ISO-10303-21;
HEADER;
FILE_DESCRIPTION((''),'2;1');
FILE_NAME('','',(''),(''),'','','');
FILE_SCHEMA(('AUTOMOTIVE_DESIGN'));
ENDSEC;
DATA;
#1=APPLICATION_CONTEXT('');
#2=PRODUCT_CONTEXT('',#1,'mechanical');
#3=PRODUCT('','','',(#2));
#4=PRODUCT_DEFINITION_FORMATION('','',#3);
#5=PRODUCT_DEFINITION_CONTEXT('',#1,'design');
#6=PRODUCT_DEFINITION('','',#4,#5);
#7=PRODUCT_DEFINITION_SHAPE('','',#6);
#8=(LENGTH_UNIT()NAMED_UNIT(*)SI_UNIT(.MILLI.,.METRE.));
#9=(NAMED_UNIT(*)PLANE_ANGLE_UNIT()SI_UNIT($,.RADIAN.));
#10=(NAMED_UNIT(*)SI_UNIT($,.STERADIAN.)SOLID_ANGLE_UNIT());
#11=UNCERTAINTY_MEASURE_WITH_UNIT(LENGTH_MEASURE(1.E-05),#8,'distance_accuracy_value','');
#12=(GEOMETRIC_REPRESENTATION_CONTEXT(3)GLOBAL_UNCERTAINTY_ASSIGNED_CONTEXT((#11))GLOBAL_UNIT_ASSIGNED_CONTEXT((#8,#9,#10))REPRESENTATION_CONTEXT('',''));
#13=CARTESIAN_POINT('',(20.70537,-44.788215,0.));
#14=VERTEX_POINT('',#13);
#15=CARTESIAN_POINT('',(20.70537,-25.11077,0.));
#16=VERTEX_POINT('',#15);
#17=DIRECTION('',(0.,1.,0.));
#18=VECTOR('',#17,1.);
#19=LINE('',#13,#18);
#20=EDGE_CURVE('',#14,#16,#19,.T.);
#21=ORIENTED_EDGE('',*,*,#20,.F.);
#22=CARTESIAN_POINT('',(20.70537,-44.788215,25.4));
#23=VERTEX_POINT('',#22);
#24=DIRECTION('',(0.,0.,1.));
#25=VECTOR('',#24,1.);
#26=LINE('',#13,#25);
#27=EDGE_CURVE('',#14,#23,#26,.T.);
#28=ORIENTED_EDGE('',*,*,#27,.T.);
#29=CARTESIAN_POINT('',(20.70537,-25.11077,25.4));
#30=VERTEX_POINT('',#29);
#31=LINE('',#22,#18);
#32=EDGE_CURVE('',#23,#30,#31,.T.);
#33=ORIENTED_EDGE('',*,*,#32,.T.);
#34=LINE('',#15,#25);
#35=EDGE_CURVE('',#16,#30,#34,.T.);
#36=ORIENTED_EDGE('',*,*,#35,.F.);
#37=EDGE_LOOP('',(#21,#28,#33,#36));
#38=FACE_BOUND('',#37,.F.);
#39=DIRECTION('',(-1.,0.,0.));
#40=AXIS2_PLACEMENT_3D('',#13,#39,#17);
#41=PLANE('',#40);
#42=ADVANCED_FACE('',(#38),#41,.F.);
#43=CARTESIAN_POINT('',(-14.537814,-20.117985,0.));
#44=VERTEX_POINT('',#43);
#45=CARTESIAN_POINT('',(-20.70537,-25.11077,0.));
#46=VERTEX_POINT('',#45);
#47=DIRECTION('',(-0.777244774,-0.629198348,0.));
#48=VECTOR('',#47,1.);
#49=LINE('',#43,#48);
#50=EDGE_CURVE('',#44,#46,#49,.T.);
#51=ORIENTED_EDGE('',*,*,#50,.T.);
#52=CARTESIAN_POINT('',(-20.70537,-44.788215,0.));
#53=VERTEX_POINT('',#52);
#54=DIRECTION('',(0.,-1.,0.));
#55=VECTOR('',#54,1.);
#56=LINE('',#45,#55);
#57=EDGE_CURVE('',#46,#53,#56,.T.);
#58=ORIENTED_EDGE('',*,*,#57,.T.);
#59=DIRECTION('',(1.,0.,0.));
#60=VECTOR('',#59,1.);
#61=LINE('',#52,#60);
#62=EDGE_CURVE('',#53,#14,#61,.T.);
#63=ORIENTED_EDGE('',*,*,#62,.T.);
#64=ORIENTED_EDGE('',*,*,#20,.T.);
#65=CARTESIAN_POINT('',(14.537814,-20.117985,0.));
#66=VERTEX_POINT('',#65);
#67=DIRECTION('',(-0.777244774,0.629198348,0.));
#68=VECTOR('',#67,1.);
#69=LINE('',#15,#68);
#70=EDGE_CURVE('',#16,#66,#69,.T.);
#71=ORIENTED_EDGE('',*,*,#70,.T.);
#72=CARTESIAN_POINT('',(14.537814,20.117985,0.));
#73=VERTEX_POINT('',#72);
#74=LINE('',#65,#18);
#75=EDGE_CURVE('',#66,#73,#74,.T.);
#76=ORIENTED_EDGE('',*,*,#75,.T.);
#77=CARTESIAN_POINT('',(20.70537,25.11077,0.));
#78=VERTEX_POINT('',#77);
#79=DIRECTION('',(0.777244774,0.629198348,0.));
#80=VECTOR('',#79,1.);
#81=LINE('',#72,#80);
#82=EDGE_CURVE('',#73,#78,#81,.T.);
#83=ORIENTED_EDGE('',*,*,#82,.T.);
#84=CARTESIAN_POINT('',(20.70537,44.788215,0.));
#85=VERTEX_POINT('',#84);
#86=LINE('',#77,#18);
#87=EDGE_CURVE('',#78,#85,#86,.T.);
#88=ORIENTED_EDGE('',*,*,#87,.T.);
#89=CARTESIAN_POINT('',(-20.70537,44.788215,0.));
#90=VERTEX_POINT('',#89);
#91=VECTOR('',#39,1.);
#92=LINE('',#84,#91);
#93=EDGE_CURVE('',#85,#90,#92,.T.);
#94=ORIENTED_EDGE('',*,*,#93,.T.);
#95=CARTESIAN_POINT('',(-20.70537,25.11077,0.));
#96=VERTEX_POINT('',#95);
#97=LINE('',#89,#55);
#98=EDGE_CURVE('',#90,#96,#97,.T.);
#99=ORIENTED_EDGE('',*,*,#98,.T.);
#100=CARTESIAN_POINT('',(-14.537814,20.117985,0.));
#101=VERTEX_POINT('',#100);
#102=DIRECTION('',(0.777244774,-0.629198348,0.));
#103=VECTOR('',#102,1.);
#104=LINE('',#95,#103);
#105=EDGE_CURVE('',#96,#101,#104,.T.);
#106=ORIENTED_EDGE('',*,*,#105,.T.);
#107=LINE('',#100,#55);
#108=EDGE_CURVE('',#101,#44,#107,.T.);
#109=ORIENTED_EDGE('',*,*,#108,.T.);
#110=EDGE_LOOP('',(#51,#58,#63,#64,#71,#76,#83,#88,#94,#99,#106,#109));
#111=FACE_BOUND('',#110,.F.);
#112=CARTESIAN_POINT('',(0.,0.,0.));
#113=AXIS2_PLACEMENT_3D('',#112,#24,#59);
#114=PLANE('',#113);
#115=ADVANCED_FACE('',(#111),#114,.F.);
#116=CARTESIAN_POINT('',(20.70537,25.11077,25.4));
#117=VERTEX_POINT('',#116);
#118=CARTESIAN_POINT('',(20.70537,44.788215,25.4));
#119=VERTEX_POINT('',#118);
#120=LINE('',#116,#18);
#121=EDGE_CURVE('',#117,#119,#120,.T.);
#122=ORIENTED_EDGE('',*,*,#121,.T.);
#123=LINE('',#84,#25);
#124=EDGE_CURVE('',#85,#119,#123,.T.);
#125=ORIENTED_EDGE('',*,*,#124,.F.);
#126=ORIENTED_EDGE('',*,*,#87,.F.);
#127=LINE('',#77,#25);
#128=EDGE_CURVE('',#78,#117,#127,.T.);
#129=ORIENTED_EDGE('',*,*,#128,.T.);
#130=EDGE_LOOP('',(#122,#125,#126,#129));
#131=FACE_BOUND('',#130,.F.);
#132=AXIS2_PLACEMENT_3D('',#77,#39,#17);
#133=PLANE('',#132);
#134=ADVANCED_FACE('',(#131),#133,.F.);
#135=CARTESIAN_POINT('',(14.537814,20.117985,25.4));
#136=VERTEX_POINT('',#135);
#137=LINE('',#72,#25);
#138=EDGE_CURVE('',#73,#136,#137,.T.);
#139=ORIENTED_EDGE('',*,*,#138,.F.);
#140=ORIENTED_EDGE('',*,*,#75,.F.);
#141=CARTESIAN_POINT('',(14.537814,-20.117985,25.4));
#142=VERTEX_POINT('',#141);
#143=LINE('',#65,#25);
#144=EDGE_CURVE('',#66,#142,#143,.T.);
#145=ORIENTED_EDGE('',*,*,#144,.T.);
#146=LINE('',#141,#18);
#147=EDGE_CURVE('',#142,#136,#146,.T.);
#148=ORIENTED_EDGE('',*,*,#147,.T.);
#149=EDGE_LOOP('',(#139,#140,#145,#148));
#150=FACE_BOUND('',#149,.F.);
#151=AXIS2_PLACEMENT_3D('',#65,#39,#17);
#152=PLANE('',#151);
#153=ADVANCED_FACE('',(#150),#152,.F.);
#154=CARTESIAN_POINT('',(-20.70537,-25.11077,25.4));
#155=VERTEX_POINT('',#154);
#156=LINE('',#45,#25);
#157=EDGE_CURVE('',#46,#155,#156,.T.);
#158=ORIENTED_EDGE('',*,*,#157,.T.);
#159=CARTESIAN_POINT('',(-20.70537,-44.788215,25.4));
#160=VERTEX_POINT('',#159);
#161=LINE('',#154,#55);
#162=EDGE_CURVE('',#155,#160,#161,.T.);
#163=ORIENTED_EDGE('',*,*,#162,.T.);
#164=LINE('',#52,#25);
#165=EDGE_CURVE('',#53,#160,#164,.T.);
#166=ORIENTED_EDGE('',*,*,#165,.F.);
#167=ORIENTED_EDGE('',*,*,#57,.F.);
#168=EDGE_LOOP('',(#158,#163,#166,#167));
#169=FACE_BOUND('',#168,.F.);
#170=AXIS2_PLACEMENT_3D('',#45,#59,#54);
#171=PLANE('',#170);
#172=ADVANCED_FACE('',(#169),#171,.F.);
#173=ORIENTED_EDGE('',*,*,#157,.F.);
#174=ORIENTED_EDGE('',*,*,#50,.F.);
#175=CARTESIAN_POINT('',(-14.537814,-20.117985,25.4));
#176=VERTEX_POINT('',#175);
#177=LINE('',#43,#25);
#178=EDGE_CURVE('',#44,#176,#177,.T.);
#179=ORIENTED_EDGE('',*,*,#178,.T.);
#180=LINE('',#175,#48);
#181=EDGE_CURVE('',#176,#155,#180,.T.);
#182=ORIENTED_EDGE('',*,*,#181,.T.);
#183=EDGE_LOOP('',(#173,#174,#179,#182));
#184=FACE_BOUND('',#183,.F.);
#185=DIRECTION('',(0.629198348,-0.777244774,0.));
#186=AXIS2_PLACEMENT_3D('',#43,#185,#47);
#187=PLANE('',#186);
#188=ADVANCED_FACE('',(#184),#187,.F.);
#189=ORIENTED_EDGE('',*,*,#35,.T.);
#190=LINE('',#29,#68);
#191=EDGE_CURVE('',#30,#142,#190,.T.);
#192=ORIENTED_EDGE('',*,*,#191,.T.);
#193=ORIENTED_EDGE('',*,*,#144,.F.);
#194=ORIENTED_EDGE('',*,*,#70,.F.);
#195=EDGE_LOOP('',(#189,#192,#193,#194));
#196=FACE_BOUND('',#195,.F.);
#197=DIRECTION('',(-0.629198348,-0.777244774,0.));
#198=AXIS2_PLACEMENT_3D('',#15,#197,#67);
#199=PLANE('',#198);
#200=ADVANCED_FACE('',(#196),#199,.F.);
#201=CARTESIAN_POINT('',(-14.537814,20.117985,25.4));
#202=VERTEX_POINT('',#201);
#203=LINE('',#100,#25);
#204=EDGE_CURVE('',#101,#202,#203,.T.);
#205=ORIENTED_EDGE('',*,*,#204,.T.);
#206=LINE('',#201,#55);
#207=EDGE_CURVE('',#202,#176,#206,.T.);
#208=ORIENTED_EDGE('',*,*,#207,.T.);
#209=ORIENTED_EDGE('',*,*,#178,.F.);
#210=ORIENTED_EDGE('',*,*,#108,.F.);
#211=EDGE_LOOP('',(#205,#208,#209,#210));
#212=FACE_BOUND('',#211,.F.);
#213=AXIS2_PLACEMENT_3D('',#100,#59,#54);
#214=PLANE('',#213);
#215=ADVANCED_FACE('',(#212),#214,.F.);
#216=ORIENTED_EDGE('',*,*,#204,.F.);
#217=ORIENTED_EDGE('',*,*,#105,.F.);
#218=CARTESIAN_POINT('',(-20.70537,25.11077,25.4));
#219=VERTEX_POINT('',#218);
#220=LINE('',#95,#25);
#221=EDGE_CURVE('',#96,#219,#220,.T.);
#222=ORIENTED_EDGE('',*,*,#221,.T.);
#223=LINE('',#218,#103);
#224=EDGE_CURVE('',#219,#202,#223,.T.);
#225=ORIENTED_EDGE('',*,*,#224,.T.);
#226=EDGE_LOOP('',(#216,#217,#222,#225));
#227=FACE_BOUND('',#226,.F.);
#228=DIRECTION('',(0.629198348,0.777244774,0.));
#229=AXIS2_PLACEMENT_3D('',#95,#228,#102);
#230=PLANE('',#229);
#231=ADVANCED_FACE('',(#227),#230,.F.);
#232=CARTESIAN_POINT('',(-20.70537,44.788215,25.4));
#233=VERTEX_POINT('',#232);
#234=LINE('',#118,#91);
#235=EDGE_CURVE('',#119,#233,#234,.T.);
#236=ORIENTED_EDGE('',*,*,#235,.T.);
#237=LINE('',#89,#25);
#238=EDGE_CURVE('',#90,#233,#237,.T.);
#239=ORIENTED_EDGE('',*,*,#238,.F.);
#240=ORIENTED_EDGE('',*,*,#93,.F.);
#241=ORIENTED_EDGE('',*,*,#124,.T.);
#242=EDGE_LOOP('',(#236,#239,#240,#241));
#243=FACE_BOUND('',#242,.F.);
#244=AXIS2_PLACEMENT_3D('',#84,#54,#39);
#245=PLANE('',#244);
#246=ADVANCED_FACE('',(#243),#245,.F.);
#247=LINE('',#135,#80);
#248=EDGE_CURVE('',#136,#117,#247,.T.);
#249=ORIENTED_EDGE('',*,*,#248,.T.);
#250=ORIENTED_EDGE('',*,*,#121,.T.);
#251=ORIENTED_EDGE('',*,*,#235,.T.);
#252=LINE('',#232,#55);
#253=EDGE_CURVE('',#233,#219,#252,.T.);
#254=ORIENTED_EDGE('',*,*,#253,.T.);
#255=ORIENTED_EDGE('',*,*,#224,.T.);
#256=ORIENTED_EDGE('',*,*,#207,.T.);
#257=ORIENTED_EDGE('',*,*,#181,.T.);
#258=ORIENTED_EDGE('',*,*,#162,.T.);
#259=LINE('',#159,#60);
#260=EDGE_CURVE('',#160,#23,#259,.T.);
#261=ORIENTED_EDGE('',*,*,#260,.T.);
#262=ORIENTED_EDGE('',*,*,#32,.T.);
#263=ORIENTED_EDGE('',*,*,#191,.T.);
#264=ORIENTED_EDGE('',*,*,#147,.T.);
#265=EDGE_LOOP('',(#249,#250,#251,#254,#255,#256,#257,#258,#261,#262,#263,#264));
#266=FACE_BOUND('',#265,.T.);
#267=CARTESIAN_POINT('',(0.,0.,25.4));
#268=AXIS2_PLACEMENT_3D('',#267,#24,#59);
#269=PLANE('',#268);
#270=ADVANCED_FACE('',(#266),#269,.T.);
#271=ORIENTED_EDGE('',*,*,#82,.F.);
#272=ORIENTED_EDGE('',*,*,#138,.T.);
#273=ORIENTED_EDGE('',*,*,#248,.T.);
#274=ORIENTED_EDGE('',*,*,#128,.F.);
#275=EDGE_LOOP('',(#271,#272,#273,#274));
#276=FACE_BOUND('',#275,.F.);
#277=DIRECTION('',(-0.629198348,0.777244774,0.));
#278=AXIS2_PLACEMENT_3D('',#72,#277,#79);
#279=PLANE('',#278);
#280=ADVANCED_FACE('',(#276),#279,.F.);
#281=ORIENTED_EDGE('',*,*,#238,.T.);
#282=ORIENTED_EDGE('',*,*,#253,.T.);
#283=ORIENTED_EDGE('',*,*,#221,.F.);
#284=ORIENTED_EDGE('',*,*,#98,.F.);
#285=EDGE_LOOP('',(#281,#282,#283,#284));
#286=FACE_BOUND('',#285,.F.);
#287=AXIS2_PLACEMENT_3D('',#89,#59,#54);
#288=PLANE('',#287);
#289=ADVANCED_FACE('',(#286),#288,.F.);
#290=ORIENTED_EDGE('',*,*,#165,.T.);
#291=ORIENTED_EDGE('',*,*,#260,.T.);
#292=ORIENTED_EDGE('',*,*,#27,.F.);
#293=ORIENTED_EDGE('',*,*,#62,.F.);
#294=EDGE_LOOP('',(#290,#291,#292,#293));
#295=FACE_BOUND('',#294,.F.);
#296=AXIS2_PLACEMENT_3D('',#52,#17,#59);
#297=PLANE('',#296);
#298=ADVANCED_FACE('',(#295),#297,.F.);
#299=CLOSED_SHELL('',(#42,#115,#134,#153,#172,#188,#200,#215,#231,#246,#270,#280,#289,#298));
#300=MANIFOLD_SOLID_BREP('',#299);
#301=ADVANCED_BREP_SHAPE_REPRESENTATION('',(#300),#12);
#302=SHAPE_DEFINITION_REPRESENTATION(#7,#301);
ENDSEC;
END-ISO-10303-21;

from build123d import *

# Parameters (mm, degrees)
F1_DEPTH = 25.4


with BuildPart() as f1:
    # F0 (on Top) → F1 (new body)
    with BuildSketch(Plane.XY):
        Polygon((-14.537814, 20.117985), (-14.537814, 0), (-14.537814, -20.117985), (-20.70537, -25.11077), (-20.70537, -44.788215), (0, -44.788215), (20.70537, -44.788215), (20.70537, -25.11077), (14.537814, -20.117985), (14.537814, 0), (14.537814, 20.117985), (20.70537, 25.11077), (20.70537, 44.788215), (0, 44.788215), (-20.70537, 44.788215), (-20.70537, 25.11077), align=None)
    extrude(amount=F1_DEPTH)


solid = f1.part
